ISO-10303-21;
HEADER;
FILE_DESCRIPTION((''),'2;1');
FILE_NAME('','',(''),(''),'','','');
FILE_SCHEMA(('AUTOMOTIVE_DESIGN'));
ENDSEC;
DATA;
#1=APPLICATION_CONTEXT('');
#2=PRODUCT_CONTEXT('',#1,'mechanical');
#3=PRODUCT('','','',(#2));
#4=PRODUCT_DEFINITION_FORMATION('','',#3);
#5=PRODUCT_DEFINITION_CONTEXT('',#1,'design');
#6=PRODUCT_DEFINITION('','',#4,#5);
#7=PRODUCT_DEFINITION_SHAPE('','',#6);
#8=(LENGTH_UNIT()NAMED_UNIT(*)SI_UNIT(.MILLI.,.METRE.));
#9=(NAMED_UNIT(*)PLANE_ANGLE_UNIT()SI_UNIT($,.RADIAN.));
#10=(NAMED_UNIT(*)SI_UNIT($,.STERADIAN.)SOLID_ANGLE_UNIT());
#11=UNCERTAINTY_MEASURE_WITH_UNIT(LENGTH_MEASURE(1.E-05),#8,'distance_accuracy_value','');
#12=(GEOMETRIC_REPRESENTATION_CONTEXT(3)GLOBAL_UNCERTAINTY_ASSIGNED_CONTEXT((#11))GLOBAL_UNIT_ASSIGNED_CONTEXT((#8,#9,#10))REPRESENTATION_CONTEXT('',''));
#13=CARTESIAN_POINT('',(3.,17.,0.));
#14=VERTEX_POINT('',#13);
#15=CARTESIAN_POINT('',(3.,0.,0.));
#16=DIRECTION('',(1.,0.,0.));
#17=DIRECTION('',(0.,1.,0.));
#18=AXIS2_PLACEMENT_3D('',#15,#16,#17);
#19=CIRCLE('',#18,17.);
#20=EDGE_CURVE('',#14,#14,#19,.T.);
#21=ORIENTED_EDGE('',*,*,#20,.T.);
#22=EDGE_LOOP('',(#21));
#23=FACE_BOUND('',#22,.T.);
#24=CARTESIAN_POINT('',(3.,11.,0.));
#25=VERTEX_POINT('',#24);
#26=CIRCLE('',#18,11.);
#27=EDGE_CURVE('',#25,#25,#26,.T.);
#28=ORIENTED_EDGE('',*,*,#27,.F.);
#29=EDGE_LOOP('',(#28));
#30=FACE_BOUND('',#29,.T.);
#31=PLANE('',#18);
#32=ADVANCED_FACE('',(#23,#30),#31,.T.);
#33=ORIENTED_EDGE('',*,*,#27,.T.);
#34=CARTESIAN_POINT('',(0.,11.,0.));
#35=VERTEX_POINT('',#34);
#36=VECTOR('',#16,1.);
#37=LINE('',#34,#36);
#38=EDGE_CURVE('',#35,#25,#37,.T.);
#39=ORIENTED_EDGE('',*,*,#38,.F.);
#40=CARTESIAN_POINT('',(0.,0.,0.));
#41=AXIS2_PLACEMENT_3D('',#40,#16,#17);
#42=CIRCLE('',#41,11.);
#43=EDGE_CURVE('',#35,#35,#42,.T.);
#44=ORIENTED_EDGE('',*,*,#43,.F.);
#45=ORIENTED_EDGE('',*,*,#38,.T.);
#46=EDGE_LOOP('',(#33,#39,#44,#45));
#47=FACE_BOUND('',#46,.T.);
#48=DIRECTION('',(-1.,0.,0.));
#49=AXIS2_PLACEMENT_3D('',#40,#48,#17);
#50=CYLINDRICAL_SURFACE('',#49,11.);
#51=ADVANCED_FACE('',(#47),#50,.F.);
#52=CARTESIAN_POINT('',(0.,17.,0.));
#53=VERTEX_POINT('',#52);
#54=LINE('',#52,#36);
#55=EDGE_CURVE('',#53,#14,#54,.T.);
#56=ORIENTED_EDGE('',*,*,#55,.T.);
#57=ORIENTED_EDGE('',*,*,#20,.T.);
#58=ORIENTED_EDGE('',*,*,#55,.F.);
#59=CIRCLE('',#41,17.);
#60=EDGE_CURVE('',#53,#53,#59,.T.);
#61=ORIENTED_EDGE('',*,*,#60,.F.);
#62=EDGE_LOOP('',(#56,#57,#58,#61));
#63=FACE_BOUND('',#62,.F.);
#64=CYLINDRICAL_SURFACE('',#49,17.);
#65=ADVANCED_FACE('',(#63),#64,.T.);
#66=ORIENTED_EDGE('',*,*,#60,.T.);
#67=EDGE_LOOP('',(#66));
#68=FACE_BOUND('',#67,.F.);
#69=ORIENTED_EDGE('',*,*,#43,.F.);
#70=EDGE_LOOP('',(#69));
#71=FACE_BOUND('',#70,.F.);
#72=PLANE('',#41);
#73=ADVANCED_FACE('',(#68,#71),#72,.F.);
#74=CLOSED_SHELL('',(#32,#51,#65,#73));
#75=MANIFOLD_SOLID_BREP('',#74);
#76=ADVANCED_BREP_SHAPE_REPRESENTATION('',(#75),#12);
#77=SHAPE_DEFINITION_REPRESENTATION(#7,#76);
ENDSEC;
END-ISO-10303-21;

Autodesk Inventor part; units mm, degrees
ref_plane "YZ Plane" through (0, 0, 0) normal (1, 0, 0) x (0, 1, 0)
ref_plane "XZ Plane" through (0, 0, 0) normal (0, 1, 0) x (-1, 0, 0)
ref_plane "XY Plane" through (0, 0, 0) normal (0, 0, 1) x (1, 0, 0)
sketch "Sketch1" plane through (0, 0, 0) normal (1, 0, 0) x (0, 1, 0)
  circle A0 centre (0, 0) radius 17
  circle A1 centre (0, 0) radius 11
  dimension "d1" = 34
  dimension "d2" = 22
extrude "Extrusion1" add sketch "Sketch1" along normal blind 3
properties part number "362-06"
